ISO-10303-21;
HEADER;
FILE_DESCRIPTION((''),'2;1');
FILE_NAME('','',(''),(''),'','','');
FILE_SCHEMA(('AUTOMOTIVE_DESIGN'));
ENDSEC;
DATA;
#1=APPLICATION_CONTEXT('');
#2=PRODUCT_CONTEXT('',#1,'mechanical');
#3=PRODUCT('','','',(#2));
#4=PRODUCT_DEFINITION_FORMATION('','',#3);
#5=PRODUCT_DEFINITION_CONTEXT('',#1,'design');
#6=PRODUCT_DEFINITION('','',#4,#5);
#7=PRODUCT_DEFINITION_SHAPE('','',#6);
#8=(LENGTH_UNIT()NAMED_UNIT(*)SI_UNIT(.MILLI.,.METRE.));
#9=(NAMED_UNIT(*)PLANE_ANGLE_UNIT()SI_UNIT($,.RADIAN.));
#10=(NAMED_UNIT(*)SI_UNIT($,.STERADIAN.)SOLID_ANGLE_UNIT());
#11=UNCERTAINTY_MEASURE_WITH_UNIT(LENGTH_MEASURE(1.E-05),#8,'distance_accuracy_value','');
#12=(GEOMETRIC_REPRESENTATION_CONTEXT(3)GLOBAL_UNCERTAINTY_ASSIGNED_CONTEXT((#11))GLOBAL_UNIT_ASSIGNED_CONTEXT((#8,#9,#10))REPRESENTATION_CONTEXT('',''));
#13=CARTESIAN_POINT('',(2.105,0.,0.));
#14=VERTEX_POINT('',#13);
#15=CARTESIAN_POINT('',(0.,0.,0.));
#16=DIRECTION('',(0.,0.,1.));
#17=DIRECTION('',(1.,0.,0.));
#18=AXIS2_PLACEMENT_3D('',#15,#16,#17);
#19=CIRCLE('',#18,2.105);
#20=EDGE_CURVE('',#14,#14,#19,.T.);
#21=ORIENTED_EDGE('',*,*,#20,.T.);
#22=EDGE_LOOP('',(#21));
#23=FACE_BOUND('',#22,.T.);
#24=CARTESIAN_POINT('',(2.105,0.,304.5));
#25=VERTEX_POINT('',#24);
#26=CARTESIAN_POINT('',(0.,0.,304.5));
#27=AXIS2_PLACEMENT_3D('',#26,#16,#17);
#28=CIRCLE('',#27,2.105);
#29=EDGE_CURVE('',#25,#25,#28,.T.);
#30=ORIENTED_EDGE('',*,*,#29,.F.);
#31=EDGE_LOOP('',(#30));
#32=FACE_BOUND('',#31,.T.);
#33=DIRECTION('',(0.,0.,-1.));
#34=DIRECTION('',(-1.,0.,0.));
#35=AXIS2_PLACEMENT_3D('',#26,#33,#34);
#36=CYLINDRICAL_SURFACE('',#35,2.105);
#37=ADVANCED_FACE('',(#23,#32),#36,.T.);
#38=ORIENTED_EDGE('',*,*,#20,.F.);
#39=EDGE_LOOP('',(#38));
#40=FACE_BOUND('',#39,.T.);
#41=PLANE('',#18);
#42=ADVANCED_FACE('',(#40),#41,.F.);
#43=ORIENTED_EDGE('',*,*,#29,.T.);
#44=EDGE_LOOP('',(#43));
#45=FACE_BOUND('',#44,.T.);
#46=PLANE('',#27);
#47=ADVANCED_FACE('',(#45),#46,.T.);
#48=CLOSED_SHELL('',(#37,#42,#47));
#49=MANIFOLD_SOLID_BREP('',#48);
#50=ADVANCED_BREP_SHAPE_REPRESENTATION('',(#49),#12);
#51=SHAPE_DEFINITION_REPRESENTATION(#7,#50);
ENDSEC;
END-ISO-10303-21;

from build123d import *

# Parameters (mm, degrees)
ESQUISSE1_R        = 2.105
BOSS_EXTRU_1_DEPTH = 304.5


with BuildPart() as part:
    # Esquisse1 → Boss.-Extru.1 (new body)
    with BuildSketch(Plane.XY):
        Circle(ESQUISSE1_R)
    extrude(amount=BOSS_EXTRU_1_DEPTH)


solid = part.part
